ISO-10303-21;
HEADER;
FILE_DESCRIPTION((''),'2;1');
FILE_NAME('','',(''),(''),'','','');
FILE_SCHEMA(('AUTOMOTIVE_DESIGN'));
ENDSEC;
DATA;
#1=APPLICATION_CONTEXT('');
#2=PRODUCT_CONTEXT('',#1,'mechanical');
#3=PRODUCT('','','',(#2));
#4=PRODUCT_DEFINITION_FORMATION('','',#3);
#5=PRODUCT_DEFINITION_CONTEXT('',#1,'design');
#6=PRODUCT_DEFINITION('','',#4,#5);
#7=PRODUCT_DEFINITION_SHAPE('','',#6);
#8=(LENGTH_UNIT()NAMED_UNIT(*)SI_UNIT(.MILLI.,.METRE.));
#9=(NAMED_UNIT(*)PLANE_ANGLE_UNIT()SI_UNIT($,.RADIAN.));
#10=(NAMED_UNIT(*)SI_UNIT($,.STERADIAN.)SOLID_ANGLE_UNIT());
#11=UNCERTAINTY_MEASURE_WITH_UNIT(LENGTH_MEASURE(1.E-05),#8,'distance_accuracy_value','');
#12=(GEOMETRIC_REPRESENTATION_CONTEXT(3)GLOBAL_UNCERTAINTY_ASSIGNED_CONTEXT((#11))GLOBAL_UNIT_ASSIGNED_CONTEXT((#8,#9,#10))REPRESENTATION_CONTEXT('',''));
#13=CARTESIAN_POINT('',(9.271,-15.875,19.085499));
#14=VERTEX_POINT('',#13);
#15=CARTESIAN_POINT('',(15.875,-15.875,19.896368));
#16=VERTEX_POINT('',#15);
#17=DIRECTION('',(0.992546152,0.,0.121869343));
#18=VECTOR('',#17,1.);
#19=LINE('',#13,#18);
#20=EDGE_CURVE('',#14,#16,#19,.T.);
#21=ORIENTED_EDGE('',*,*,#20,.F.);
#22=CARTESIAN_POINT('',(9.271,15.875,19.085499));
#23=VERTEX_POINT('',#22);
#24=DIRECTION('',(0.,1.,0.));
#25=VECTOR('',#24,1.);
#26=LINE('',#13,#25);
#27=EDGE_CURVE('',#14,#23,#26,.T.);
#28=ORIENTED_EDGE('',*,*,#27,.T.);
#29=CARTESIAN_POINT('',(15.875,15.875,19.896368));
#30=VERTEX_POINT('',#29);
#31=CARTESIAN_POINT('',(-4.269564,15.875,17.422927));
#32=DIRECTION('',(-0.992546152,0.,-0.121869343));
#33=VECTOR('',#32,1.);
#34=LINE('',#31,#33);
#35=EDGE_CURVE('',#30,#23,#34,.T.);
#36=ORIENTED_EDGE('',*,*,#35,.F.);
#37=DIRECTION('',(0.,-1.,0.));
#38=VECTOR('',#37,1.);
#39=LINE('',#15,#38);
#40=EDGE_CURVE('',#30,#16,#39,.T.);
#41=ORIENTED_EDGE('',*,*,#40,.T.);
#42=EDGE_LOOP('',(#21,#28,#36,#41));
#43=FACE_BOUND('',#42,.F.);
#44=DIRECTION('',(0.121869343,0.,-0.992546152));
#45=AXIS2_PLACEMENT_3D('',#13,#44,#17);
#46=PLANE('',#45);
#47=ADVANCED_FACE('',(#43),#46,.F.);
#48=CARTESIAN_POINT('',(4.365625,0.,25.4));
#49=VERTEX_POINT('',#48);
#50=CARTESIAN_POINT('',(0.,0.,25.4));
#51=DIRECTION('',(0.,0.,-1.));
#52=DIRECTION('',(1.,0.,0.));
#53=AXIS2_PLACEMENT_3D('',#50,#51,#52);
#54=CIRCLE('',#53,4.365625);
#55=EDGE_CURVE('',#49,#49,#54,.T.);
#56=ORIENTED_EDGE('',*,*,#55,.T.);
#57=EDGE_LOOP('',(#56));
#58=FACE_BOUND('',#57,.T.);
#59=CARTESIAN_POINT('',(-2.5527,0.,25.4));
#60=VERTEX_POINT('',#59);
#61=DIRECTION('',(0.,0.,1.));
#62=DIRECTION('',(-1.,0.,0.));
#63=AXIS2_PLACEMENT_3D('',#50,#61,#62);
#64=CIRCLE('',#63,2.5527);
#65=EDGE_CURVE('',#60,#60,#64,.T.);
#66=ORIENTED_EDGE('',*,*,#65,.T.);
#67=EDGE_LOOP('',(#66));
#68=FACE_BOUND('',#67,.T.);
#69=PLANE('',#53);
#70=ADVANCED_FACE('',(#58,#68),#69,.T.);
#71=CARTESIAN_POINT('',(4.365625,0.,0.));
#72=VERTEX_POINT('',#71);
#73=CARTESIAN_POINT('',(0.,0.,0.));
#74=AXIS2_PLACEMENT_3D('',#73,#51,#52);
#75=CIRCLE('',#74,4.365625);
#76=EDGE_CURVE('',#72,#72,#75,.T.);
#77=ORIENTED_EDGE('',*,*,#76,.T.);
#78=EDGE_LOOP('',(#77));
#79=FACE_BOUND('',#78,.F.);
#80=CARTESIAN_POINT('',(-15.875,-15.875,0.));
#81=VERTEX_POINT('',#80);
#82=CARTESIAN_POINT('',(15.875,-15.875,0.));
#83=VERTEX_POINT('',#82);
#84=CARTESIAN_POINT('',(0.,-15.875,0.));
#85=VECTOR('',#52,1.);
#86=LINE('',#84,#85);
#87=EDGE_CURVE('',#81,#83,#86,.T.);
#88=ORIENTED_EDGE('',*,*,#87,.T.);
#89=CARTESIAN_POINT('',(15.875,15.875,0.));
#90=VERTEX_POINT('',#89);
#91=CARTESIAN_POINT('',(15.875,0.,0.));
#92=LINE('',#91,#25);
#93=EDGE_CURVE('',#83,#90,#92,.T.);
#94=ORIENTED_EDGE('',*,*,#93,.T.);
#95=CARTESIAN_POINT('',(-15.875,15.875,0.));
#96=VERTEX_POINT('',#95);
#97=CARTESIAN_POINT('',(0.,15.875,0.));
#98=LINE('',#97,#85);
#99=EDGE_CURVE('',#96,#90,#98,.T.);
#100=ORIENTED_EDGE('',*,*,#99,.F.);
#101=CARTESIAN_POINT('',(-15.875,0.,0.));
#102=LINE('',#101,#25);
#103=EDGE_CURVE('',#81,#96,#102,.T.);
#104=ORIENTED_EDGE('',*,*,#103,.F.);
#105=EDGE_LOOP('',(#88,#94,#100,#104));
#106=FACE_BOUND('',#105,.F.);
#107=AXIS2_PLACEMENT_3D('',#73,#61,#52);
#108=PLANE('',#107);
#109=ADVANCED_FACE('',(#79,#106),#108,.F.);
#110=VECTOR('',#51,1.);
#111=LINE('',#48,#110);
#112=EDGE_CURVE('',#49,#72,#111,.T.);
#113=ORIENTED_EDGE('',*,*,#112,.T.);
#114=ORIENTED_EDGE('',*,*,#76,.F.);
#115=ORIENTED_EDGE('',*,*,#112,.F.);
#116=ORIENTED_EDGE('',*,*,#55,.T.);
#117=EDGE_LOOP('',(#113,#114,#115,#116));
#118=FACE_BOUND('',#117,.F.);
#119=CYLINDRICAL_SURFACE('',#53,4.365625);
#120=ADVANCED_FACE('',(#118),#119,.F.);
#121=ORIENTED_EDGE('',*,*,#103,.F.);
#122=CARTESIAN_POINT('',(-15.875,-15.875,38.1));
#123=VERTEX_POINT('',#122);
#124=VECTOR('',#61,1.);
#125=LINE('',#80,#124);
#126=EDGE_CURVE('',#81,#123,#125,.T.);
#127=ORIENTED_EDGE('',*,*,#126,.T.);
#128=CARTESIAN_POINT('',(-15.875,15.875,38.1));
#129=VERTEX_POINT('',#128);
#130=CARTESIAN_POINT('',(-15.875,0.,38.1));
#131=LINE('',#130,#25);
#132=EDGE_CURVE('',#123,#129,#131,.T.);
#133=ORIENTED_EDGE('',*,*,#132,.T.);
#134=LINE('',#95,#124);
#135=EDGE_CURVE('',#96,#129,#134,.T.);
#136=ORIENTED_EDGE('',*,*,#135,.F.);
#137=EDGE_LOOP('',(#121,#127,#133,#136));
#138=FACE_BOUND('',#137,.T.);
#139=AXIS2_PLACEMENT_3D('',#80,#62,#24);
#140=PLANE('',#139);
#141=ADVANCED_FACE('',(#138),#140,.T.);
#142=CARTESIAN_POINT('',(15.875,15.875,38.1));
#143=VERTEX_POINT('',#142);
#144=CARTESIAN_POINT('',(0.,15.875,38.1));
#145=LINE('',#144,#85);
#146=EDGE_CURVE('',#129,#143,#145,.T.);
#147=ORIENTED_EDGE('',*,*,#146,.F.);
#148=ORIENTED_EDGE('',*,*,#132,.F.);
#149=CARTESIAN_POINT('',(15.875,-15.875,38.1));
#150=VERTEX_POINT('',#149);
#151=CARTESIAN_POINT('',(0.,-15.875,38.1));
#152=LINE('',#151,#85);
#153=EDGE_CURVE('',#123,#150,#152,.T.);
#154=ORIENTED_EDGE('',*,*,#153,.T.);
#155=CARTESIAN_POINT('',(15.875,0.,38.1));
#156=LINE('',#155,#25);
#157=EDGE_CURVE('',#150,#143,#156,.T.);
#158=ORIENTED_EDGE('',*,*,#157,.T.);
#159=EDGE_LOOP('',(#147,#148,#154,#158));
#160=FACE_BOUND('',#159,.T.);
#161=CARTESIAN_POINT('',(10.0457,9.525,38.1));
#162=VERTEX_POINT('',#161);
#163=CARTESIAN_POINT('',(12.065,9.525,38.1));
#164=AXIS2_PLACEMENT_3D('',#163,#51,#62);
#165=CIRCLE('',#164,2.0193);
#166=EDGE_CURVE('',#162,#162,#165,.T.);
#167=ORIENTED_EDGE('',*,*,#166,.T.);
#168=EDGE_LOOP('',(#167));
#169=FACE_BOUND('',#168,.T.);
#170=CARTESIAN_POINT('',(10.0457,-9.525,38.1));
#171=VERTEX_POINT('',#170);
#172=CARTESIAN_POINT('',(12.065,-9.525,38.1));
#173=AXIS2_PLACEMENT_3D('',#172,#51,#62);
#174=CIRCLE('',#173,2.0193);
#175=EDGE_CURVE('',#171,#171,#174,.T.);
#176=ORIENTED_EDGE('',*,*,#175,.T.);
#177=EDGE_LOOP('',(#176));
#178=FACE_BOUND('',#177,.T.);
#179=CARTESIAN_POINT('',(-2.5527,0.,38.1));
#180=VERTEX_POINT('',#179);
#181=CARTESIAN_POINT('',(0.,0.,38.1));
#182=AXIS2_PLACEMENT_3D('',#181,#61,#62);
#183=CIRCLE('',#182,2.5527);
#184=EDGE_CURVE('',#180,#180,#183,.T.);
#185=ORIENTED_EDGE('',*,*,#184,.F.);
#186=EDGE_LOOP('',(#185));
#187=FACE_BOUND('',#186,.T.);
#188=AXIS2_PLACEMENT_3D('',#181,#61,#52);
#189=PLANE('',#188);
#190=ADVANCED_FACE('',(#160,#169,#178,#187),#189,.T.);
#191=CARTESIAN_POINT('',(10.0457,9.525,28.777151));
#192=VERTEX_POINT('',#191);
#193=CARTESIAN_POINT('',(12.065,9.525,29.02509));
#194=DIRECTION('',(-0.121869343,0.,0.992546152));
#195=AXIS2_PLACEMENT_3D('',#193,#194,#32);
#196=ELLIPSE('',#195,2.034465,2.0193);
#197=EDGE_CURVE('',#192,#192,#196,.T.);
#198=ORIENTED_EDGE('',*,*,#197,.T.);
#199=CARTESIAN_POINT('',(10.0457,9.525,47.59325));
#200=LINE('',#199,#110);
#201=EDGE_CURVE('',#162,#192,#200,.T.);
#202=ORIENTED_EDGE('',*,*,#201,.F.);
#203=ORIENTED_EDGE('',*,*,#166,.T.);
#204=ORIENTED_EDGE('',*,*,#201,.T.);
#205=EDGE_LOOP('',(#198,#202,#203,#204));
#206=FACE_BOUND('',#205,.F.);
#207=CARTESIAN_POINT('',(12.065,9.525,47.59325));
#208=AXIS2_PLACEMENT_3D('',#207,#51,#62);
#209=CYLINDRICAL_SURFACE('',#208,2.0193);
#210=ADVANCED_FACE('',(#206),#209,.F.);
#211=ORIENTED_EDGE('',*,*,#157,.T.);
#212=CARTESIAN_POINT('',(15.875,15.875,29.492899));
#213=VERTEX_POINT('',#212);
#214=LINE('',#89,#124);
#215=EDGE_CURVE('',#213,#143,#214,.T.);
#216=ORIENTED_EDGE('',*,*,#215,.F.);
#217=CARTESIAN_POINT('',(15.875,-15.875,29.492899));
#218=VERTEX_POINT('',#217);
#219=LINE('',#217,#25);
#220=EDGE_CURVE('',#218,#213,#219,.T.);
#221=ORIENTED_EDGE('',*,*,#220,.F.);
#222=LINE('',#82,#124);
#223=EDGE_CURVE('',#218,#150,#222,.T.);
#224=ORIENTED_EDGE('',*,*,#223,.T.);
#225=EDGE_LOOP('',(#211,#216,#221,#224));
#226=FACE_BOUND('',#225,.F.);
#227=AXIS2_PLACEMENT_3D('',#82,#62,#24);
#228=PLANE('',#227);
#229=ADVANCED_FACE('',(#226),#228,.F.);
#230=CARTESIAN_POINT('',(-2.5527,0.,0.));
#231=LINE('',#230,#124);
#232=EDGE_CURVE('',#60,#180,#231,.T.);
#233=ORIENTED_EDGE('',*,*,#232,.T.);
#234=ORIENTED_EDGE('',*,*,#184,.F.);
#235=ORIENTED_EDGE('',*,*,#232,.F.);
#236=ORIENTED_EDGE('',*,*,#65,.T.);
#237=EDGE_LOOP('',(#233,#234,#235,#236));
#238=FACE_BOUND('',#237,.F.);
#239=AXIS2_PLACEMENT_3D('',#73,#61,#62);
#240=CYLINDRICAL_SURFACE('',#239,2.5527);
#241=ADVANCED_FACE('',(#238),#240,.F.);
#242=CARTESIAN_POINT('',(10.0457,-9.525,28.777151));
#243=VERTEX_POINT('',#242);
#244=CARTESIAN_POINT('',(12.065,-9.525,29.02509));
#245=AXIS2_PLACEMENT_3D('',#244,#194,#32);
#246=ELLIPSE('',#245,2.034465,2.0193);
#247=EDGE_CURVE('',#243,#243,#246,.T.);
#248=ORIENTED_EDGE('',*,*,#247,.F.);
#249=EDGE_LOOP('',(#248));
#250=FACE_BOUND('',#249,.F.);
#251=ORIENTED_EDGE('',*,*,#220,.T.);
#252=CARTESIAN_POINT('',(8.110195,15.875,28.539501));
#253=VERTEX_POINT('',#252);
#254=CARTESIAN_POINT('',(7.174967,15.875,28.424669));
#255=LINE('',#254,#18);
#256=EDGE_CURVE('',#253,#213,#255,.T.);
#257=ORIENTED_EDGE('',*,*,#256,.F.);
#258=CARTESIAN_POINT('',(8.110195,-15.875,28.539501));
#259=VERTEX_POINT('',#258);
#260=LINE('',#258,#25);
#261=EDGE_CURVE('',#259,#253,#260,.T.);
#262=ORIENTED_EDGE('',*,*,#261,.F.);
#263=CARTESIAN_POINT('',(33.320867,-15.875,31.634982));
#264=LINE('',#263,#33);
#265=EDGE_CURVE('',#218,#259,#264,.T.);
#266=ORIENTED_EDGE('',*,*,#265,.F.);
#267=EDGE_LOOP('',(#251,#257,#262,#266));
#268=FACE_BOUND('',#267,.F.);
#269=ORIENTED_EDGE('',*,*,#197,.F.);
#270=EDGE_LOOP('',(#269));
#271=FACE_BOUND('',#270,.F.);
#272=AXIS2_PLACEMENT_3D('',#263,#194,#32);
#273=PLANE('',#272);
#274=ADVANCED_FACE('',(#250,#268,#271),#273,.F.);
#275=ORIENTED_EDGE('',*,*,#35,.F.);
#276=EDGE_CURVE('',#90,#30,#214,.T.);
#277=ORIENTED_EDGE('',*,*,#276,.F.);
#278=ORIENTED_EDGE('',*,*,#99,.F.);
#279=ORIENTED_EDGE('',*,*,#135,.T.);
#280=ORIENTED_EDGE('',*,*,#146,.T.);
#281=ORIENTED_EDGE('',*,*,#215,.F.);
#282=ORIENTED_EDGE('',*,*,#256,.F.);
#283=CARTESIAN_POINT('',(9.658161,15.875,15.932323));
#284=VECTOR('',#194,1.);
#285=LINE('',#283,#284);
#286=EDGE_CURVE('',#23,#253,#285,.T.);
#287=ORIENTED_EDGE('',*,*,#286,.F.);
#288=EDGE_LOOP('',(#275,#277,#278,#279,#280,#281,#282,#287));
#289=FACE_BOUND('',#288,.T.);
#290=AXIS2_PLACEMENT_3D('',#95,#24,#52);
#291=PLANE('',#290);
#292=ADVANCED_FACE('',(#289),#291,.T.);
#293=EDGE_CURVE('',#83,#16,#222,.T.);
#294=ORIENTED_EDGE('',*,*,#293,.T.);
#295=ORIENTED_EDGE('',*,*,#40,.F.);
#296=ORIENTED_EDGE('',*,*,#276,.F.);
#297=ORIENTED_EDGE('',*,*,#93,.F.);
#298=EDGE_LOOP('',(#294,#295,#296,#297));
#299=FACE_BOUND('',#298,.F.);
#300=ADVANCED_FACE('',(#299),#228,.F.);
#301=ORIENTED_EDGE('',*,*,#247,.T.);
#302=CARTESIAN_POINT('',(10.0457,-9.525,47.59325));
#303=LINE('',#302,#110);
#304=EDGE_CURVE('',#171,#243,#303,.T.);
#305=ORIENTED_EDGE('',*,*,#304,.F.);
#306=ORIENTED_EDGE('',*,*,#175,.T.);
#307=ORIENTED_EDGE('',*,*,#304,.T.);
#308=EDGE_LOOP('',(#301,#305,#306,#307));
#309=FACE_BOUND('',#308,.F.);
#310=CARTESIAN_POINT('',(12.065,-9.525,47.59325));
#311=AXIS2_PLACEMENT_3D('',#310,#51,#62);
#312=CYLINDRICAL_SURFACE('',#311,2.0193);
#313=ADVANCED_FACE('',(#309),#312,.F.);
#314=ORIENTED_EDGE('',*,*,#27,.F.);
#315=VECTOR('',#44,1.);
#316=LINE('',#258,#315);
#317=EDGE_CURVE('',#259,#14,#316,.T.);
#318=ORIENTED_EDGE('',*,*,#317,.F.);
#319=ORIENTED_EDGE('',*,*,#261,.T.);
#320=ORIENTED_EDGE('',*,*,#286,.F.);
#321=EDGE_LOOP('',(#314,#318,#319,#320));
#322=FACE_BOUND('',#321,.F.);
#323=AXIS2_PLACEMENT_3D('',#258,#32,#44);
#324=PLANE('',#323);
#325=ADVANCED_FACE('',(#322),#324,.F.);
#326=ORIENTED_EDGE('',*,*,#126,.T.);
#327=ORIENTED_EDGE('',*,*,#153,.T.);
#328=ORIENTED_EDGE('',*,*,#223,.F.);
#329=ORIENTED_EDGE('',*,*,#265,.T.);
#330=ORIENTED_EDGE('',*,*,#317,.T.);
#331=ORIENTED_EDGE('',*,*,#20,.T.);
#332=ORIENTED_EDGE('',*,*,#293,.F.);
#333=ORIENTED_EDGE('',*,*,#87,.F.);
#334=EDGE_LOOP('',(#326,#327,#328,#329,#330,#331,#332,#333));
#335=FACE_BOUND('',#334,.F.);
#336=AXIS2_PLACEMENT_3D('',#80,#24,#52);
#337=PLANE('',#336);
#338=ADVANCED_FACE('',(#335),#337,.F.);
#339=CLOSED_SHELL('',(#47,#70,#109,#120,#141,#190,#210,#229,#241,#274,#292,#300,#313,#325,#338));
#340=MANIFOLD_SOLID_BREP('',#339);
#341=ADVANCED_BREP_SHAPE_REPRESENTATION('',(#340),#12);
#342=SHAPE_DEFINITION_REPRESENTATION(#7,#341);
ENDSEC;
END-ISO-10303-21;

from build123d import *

# Parameters (mm, degrees)
F0_W           = 31.75
F0_H           = 31.75
F1_DEPTH       = 38.1
F3_D           = 5.1054
F3_CBORE_D     = 8.73125
F3_CBORE_DEPTH = 25.4
F5_DEPTH       = 31.751
F7_D           = 4.0386
F7_DEPTH       = 9.49325
F7_TIP         = 1.213317848


with BuildPart() as f1:
    # F0 (on Top) → F1 (new body)
    with BuildSketch(Plane.XY):
        Rectangle(F0_W, F0_H)
    extrude(amount=F1_DEPTH)

    # F3 (through all)
    with Locations(Plane(origin=(0, 0, 0), x_dir=(1, 0, 0), z_dir=(0, 0, -1))):
        with Locations((0, 0)):
            CounterBoreHole(F3_D / 2, F3_CBORE_D / 2, F3_CBORE_DEPTH)

    # F4 (on face) → F5 (cut, through all)
    with BuildSketch(Plane.XZ.offset(15.875)):
        Polygon((34.4816722517, 22.1809802753), (33.3208667558, 31.6349823697), (8.1101945041, 28.5395010472), (9.271, 19.0854989528), align=None)
    extrude(amount=-F5_DEPTH, mode=Mode.SUBTRACT)

    # F7
    with Locations(Plane.XY.offset(38.1)):
        with Locations((12.065, -9.525), (12.065, 9.525)):
            Hole(F7_D / 2, depth=F7_DEPTH)
            with Locations((0, 0, -(F7_DEPTH + F7_TIP / 2))):  # 118° drill point
                Cone(0, F7_D / 2, F7_TIP, mode=Mode.SUBTRACT)


solid = f1.part
